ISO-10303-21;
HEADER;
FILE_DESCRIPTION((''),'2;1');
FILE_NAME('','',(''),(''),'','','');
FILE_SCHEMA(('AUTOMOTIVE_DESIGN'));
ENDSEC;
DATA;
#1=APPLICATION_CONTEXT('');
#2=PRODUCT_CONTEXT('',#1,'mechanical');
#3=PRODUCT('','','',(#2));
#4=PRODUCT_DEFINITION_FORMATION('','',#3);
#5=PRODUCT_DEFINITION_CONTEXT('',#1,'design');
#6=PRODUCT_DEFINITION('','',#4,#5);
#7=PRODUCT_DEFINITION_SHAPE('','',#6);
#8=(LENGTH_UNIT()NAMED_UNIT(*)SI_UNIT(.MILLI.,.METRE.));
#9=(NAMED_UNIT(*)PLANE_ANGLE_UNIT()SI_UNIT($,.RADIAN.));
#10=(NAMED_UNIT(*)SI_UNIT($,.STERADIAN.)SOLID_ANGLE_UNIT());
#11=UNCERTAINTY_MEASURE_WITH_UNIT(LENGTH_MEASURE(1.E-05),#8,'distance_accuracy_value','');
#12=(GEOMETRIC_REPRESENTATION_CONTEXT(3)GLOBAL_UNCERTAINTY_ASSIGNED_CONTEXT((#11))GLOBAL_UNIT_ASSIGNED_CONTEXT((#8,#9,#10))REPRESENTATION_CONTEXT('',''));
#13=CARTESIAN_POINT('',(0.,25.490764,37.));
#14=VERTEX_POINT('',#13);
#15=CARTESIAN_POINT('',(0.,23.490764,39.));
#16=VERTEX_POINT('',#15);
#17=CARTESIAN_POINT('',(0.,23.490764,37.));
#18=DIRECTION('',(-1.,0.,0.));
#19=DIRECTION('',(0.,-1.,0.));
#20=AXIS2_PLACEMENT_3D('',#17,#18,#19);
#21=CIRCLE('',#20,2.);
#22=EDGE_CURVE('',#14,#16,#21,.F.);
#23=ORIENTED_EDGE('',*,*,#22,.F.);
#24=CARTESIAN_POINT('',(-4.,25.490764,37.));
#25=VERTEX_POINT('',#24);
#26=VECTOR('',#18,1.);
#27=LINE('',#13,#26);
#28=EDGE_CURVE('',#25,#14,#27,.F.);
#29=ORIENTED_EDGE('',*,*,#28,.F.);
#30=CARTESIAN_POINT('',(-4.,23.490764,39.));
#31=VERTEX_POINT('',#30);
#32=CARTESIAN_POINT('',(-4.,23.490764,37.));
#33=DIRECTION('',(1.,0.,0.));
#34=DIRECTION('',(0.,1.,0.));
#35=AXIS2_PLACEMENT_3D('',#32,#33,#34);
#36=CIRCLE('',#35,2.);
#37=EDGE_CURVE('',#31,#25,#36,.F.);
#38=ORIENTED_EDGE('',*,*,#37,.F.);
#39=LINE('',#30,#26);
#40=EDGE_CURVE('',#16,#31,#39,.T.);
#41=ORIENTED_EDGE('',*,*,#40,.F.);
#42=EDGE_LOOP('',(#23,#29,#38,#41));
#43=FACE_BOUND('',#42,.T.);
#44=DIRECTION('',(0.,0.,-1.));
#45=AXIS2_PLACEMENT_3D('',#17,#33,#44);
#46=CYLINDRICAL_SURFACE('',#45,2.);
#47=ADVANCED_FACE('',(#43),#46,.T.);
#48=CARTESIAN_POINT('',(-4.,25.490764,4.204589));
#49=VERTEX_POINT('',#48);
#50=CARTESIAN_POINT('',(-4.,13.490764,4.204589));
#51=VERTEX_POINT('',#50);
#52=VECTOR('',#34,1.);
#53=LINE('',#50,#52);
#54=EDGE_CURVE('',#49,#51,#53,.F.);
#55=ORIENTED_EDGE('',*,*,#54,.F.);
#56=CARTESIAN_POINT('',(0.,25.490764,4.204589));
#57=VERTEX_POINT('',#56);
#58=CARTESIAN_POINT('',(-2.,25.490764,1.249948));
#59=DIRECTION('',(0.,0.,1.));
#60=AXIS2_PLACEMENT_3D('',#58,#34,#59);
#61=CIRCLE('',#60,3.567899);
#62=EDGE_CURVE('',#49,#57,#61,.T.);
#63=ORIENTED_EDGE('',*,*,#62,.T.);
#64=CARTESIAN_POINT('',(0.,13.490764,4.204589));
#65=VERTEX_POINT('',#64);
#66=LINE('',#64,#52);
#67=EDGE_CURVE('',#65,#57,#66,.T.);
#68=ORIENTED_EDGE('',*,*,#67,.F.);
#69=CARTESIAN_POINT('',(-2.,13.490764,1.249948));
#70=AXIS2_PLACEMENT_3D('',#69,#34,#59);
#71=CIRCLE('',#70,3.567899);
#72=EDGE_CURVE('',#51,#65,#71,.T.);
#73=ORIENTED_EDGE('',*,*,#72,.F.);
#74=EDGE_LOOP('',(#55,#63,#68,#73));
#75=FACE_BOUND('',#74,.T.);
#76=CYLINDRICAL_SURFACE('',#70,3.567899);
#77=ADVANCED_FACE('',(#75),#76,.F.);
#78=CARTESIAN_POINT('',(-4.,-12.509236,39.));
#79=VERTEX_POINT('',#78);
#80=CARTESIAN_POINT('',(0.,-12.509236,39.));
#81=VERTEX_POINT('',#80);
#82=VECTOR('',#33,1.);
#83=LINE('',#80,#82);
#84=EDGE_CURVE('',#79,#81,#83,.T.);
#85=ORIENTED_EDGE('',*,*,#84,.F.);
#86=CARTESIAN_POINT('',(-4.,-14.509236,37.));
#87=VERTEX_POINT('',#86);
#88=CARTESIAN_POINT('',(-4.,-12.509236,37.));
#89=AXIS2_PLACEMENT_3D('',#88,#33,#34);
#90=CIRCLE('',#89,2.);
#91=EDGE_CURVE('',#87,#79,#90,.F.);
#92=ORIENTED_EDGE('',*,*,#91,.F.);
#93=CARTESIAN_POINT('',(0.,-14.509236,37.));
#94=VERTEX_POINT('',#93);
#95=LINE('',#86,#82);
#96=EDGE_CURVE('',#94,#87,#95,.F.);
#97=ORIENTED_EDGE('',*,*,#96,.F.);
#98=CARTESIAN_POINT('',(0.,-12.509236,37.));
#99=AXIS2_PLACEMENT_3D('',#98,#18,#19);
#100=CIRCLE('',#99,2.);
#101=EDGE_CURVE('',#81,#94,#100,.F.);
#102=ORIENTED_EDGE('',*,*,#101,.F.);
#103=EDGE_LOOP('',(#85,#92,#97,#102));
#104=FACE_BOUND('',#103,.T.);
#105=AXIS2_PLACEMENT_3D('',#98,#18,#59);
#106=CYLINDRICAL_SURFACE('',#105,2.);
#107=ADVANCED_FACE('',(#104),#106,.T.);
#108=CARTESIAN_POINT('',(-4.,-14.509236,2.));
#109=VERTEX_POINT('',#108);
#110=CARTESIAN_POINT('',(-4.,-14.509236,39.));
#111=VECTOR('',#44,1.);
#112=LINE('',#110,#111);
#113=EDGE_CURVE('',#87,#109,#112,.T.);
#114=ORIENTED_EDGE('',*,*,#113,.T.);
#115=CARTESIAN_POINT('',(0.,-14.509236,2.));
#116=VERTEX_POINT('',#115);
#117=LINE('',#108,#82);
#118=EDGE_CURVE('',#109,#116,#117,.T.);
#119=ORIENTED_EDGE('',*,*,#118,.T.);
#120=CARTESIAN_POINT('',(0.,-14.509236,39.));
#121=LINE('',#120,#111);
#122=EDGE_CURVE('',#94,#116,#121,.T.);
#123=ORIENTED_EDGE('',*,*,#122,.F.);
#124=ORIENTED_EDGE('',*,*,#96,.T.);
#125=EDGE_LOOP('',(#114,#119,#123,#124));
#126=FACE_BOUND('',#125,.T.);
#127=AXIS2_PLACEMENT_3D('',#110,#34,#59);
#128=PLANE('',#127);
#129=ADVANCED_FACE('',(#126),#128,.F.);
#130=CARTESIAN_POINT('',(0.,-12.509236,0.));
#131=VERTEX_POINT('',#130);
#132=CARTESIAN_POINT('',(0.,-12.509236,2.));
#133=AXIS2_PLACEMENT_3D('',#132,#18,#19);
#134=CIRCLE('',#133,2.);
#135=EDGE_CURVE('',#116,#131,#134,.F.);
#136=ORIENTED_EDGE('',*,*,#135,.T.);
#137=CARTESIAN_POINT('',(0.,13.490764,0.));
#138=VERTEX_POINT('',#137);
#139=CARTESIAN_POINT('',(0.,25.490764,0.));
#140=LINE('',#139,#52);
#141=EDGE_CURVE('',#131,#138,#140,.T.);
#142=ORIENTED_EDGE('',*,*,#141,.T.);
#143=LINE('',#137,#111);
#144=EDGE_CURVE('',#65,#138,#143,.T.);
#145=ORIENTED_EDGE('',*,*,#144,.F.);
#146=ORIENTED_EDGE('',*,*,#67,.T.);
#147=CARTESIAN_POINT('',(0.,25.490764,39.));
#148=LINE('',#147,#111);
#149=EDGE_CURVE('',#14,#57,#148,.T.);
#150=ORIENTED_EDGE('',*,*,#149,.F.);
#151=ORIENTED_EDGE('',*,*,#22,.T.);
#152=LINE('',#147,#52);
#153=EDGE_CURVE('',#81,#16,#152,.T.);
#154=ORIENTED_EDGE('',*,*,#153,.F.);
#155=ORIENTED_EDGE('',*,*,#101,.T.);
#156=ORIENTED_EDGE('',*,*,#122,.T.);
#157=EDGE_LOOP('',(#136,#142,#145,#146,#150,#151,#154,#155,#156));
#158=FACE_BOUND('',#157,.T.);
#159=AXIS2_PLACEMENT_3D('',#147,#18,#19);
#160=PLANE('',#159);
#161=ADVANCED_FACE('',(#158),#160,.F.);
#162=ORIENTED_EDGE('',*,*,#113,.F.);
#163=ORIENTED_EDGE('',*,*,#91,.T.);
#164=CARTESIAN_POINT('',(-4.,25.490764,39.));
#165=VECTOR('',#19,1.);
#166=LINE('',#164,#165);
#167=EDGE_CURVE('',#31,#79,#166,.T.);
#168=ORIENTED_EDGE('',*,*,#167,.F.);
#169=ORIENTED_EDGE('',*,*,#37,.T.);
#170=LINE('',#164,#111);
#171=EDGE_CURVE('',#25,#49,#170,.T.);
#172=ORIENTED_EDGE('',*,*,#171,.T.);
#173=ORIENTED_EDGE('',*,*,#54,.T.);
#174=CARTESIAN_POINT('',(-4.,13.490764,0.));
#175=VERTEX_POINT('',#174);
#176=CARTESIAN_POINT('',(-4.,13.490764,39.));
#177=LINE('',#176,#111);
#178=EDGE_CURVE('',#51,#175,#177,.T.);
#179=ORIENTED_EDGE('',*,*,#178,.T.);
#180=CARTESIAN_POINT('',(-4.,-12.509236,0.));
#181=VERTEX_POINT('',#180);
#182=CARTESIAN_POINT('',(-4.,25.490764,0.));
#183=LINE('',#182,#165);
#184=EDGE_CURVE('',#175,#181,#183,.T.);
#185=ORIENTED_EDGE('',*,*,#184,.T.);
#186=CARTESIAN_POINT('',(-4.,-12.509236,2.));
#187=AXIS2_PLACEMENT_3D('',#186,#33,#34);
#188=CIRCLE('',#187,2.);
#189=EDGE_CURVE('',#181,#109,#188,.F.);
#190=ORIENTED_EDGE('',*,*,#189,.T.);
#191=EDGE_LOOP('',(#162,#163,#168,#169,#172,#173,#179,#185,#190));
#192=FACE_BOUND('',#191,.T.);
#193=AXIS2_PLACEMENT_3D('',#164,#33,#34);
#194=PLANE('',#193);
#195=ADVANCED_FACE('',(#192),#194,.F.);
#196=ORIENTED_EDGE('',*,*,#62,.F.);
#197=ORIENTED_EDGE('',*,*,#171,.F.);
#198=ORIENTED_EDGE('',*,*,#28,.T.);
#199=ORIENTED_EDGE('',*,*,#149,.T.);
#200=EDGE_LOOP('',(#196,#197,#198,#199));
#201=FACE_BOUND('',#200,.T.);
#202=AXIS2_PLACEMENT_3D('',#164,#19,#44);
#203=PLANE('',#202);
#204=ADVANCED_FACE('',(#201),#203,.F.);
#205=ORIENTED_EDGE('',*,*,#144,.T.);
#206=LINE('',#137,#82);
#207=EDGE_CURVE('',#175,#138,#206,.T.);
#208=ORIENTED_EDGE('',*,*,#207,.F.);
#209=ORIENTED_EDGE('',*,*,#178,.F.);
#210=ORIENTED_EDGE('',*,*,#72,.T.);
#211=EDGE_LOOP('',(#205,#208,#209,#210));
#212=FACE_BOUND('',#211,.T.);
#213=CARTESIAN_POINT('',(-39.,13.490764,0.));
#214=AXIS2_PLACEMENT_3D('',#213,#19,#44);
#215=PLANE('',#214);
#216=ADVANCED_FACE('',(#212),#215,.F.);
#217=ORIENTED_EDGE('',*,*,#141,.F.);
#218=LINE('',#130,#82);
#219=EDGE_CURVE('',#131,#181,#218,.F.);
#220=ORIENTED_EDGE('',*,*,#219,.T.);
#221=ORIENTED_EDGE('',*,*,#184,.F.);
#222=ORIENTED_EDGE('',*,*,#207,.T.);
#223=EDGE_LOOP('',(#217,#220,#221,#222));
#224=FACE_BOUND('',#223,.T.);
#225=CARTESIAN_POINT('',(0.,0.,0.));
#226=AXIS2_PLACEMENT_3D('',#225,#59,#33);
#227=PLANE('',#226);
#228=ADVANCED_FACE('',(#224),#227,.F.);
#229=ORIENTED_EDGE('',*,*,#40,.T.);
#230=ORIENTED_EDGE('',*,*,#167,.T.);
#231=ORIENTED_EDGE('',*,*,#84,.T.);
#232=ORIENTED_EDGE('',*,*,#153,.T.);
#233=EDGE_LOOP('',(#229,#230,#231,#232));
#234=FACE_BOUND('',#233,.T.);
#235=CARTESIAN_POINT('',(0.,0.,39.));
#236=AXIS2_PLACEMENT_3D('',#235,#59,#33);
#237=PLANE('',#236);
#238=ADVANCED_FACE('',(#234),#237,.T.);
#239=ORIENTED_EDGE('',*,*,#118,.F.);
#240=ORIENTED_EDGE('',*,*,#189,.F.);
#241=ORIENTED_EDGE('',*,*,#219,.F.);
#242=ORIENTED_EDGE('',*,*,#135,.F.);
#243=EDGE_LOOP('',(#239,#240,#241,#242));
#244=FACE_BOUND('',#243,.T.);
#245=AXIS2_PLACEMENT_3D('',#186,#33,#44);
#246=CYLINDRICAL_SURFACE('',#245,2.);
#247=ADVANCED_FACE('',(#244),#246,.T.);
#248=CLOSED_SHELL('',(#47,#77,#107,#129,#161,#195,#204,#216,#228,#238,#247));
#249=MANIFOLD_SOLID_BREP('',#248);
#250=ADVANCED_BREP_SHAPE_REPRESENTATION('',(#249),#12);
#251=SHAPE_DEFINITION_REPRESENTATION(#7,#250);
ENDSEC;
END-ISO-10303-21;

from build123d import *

# Parameters (mm, degrees)
SKETCH1_W           = 4
SKETCH1_H           = 40
BOSS_EXTRUDE1_DEPTH = 39
SKETCH2_W           = 4
SKETCH2_H           = 12
CUT_EXTRUDE1_DEPTH  = 39
SKETCH5_R           = 3.567899071
CUT_EXTRUDE3_DEPTH  = 12
FILLET6_R           = 2
FILLET7_R           = 2


with BuildPart() as part:
    # Sketch1 → Boss-Extrude1 (new body)
    with BuildSketch(Plane.XY):
        with Locations((-2, 5.490763705)):
            Rectangle(SKETCH1_W, SKETCH1_H)
    extrude(amount=BOSS_EXTRUDE1_DEPTH)

    # Sketch2 → Cut-Extrude1 (cut)
    with BuildSketch(Plane(origin=(0, 0, 0), x_dir=(0, 0, -1), z_dir=(1, 0, 0))):
        with Locations((-2, 19.490763705)):
            Rectangle(SKETCH2_W, SKETCH2_H)
    extrude(amount=-CUT_EXTRUDE1_DEPTH, mode=Mode.SUBTRACT)

    # Sketch5 → Cut-Extrude3 (cut)
    with BuildSketch(Plane(origin=(0, 25.490763705, 0), x_dir=(1, 0, 0), z_dir=(0, 1, 0))):
        with Locations((-2, -1.249948334)):
            Circle(SKETCH5_R)
    extrude(amount=-CUT_EXTRUDE3_DEPTH, mode=Mode.SUBTRACT)

    # Fillet6
    fillet6_edges = [part.edges().sort_by_distance(p)[0] for p in [
        (-2, 25.490763705, 39),
    ]]
    fillet(fillet6_edges, radius=FILLET6_R)

    # Fillet7
    fillet7_edges = [part.edges().sort_by_distance(p)[0] for p in [
        (-2, -14.509236295, 0),
        (-2, -14.509236295, 39),
    ]]
    fillet(fillet7_edges, radius=FILLET7_R)


solid = part.part
